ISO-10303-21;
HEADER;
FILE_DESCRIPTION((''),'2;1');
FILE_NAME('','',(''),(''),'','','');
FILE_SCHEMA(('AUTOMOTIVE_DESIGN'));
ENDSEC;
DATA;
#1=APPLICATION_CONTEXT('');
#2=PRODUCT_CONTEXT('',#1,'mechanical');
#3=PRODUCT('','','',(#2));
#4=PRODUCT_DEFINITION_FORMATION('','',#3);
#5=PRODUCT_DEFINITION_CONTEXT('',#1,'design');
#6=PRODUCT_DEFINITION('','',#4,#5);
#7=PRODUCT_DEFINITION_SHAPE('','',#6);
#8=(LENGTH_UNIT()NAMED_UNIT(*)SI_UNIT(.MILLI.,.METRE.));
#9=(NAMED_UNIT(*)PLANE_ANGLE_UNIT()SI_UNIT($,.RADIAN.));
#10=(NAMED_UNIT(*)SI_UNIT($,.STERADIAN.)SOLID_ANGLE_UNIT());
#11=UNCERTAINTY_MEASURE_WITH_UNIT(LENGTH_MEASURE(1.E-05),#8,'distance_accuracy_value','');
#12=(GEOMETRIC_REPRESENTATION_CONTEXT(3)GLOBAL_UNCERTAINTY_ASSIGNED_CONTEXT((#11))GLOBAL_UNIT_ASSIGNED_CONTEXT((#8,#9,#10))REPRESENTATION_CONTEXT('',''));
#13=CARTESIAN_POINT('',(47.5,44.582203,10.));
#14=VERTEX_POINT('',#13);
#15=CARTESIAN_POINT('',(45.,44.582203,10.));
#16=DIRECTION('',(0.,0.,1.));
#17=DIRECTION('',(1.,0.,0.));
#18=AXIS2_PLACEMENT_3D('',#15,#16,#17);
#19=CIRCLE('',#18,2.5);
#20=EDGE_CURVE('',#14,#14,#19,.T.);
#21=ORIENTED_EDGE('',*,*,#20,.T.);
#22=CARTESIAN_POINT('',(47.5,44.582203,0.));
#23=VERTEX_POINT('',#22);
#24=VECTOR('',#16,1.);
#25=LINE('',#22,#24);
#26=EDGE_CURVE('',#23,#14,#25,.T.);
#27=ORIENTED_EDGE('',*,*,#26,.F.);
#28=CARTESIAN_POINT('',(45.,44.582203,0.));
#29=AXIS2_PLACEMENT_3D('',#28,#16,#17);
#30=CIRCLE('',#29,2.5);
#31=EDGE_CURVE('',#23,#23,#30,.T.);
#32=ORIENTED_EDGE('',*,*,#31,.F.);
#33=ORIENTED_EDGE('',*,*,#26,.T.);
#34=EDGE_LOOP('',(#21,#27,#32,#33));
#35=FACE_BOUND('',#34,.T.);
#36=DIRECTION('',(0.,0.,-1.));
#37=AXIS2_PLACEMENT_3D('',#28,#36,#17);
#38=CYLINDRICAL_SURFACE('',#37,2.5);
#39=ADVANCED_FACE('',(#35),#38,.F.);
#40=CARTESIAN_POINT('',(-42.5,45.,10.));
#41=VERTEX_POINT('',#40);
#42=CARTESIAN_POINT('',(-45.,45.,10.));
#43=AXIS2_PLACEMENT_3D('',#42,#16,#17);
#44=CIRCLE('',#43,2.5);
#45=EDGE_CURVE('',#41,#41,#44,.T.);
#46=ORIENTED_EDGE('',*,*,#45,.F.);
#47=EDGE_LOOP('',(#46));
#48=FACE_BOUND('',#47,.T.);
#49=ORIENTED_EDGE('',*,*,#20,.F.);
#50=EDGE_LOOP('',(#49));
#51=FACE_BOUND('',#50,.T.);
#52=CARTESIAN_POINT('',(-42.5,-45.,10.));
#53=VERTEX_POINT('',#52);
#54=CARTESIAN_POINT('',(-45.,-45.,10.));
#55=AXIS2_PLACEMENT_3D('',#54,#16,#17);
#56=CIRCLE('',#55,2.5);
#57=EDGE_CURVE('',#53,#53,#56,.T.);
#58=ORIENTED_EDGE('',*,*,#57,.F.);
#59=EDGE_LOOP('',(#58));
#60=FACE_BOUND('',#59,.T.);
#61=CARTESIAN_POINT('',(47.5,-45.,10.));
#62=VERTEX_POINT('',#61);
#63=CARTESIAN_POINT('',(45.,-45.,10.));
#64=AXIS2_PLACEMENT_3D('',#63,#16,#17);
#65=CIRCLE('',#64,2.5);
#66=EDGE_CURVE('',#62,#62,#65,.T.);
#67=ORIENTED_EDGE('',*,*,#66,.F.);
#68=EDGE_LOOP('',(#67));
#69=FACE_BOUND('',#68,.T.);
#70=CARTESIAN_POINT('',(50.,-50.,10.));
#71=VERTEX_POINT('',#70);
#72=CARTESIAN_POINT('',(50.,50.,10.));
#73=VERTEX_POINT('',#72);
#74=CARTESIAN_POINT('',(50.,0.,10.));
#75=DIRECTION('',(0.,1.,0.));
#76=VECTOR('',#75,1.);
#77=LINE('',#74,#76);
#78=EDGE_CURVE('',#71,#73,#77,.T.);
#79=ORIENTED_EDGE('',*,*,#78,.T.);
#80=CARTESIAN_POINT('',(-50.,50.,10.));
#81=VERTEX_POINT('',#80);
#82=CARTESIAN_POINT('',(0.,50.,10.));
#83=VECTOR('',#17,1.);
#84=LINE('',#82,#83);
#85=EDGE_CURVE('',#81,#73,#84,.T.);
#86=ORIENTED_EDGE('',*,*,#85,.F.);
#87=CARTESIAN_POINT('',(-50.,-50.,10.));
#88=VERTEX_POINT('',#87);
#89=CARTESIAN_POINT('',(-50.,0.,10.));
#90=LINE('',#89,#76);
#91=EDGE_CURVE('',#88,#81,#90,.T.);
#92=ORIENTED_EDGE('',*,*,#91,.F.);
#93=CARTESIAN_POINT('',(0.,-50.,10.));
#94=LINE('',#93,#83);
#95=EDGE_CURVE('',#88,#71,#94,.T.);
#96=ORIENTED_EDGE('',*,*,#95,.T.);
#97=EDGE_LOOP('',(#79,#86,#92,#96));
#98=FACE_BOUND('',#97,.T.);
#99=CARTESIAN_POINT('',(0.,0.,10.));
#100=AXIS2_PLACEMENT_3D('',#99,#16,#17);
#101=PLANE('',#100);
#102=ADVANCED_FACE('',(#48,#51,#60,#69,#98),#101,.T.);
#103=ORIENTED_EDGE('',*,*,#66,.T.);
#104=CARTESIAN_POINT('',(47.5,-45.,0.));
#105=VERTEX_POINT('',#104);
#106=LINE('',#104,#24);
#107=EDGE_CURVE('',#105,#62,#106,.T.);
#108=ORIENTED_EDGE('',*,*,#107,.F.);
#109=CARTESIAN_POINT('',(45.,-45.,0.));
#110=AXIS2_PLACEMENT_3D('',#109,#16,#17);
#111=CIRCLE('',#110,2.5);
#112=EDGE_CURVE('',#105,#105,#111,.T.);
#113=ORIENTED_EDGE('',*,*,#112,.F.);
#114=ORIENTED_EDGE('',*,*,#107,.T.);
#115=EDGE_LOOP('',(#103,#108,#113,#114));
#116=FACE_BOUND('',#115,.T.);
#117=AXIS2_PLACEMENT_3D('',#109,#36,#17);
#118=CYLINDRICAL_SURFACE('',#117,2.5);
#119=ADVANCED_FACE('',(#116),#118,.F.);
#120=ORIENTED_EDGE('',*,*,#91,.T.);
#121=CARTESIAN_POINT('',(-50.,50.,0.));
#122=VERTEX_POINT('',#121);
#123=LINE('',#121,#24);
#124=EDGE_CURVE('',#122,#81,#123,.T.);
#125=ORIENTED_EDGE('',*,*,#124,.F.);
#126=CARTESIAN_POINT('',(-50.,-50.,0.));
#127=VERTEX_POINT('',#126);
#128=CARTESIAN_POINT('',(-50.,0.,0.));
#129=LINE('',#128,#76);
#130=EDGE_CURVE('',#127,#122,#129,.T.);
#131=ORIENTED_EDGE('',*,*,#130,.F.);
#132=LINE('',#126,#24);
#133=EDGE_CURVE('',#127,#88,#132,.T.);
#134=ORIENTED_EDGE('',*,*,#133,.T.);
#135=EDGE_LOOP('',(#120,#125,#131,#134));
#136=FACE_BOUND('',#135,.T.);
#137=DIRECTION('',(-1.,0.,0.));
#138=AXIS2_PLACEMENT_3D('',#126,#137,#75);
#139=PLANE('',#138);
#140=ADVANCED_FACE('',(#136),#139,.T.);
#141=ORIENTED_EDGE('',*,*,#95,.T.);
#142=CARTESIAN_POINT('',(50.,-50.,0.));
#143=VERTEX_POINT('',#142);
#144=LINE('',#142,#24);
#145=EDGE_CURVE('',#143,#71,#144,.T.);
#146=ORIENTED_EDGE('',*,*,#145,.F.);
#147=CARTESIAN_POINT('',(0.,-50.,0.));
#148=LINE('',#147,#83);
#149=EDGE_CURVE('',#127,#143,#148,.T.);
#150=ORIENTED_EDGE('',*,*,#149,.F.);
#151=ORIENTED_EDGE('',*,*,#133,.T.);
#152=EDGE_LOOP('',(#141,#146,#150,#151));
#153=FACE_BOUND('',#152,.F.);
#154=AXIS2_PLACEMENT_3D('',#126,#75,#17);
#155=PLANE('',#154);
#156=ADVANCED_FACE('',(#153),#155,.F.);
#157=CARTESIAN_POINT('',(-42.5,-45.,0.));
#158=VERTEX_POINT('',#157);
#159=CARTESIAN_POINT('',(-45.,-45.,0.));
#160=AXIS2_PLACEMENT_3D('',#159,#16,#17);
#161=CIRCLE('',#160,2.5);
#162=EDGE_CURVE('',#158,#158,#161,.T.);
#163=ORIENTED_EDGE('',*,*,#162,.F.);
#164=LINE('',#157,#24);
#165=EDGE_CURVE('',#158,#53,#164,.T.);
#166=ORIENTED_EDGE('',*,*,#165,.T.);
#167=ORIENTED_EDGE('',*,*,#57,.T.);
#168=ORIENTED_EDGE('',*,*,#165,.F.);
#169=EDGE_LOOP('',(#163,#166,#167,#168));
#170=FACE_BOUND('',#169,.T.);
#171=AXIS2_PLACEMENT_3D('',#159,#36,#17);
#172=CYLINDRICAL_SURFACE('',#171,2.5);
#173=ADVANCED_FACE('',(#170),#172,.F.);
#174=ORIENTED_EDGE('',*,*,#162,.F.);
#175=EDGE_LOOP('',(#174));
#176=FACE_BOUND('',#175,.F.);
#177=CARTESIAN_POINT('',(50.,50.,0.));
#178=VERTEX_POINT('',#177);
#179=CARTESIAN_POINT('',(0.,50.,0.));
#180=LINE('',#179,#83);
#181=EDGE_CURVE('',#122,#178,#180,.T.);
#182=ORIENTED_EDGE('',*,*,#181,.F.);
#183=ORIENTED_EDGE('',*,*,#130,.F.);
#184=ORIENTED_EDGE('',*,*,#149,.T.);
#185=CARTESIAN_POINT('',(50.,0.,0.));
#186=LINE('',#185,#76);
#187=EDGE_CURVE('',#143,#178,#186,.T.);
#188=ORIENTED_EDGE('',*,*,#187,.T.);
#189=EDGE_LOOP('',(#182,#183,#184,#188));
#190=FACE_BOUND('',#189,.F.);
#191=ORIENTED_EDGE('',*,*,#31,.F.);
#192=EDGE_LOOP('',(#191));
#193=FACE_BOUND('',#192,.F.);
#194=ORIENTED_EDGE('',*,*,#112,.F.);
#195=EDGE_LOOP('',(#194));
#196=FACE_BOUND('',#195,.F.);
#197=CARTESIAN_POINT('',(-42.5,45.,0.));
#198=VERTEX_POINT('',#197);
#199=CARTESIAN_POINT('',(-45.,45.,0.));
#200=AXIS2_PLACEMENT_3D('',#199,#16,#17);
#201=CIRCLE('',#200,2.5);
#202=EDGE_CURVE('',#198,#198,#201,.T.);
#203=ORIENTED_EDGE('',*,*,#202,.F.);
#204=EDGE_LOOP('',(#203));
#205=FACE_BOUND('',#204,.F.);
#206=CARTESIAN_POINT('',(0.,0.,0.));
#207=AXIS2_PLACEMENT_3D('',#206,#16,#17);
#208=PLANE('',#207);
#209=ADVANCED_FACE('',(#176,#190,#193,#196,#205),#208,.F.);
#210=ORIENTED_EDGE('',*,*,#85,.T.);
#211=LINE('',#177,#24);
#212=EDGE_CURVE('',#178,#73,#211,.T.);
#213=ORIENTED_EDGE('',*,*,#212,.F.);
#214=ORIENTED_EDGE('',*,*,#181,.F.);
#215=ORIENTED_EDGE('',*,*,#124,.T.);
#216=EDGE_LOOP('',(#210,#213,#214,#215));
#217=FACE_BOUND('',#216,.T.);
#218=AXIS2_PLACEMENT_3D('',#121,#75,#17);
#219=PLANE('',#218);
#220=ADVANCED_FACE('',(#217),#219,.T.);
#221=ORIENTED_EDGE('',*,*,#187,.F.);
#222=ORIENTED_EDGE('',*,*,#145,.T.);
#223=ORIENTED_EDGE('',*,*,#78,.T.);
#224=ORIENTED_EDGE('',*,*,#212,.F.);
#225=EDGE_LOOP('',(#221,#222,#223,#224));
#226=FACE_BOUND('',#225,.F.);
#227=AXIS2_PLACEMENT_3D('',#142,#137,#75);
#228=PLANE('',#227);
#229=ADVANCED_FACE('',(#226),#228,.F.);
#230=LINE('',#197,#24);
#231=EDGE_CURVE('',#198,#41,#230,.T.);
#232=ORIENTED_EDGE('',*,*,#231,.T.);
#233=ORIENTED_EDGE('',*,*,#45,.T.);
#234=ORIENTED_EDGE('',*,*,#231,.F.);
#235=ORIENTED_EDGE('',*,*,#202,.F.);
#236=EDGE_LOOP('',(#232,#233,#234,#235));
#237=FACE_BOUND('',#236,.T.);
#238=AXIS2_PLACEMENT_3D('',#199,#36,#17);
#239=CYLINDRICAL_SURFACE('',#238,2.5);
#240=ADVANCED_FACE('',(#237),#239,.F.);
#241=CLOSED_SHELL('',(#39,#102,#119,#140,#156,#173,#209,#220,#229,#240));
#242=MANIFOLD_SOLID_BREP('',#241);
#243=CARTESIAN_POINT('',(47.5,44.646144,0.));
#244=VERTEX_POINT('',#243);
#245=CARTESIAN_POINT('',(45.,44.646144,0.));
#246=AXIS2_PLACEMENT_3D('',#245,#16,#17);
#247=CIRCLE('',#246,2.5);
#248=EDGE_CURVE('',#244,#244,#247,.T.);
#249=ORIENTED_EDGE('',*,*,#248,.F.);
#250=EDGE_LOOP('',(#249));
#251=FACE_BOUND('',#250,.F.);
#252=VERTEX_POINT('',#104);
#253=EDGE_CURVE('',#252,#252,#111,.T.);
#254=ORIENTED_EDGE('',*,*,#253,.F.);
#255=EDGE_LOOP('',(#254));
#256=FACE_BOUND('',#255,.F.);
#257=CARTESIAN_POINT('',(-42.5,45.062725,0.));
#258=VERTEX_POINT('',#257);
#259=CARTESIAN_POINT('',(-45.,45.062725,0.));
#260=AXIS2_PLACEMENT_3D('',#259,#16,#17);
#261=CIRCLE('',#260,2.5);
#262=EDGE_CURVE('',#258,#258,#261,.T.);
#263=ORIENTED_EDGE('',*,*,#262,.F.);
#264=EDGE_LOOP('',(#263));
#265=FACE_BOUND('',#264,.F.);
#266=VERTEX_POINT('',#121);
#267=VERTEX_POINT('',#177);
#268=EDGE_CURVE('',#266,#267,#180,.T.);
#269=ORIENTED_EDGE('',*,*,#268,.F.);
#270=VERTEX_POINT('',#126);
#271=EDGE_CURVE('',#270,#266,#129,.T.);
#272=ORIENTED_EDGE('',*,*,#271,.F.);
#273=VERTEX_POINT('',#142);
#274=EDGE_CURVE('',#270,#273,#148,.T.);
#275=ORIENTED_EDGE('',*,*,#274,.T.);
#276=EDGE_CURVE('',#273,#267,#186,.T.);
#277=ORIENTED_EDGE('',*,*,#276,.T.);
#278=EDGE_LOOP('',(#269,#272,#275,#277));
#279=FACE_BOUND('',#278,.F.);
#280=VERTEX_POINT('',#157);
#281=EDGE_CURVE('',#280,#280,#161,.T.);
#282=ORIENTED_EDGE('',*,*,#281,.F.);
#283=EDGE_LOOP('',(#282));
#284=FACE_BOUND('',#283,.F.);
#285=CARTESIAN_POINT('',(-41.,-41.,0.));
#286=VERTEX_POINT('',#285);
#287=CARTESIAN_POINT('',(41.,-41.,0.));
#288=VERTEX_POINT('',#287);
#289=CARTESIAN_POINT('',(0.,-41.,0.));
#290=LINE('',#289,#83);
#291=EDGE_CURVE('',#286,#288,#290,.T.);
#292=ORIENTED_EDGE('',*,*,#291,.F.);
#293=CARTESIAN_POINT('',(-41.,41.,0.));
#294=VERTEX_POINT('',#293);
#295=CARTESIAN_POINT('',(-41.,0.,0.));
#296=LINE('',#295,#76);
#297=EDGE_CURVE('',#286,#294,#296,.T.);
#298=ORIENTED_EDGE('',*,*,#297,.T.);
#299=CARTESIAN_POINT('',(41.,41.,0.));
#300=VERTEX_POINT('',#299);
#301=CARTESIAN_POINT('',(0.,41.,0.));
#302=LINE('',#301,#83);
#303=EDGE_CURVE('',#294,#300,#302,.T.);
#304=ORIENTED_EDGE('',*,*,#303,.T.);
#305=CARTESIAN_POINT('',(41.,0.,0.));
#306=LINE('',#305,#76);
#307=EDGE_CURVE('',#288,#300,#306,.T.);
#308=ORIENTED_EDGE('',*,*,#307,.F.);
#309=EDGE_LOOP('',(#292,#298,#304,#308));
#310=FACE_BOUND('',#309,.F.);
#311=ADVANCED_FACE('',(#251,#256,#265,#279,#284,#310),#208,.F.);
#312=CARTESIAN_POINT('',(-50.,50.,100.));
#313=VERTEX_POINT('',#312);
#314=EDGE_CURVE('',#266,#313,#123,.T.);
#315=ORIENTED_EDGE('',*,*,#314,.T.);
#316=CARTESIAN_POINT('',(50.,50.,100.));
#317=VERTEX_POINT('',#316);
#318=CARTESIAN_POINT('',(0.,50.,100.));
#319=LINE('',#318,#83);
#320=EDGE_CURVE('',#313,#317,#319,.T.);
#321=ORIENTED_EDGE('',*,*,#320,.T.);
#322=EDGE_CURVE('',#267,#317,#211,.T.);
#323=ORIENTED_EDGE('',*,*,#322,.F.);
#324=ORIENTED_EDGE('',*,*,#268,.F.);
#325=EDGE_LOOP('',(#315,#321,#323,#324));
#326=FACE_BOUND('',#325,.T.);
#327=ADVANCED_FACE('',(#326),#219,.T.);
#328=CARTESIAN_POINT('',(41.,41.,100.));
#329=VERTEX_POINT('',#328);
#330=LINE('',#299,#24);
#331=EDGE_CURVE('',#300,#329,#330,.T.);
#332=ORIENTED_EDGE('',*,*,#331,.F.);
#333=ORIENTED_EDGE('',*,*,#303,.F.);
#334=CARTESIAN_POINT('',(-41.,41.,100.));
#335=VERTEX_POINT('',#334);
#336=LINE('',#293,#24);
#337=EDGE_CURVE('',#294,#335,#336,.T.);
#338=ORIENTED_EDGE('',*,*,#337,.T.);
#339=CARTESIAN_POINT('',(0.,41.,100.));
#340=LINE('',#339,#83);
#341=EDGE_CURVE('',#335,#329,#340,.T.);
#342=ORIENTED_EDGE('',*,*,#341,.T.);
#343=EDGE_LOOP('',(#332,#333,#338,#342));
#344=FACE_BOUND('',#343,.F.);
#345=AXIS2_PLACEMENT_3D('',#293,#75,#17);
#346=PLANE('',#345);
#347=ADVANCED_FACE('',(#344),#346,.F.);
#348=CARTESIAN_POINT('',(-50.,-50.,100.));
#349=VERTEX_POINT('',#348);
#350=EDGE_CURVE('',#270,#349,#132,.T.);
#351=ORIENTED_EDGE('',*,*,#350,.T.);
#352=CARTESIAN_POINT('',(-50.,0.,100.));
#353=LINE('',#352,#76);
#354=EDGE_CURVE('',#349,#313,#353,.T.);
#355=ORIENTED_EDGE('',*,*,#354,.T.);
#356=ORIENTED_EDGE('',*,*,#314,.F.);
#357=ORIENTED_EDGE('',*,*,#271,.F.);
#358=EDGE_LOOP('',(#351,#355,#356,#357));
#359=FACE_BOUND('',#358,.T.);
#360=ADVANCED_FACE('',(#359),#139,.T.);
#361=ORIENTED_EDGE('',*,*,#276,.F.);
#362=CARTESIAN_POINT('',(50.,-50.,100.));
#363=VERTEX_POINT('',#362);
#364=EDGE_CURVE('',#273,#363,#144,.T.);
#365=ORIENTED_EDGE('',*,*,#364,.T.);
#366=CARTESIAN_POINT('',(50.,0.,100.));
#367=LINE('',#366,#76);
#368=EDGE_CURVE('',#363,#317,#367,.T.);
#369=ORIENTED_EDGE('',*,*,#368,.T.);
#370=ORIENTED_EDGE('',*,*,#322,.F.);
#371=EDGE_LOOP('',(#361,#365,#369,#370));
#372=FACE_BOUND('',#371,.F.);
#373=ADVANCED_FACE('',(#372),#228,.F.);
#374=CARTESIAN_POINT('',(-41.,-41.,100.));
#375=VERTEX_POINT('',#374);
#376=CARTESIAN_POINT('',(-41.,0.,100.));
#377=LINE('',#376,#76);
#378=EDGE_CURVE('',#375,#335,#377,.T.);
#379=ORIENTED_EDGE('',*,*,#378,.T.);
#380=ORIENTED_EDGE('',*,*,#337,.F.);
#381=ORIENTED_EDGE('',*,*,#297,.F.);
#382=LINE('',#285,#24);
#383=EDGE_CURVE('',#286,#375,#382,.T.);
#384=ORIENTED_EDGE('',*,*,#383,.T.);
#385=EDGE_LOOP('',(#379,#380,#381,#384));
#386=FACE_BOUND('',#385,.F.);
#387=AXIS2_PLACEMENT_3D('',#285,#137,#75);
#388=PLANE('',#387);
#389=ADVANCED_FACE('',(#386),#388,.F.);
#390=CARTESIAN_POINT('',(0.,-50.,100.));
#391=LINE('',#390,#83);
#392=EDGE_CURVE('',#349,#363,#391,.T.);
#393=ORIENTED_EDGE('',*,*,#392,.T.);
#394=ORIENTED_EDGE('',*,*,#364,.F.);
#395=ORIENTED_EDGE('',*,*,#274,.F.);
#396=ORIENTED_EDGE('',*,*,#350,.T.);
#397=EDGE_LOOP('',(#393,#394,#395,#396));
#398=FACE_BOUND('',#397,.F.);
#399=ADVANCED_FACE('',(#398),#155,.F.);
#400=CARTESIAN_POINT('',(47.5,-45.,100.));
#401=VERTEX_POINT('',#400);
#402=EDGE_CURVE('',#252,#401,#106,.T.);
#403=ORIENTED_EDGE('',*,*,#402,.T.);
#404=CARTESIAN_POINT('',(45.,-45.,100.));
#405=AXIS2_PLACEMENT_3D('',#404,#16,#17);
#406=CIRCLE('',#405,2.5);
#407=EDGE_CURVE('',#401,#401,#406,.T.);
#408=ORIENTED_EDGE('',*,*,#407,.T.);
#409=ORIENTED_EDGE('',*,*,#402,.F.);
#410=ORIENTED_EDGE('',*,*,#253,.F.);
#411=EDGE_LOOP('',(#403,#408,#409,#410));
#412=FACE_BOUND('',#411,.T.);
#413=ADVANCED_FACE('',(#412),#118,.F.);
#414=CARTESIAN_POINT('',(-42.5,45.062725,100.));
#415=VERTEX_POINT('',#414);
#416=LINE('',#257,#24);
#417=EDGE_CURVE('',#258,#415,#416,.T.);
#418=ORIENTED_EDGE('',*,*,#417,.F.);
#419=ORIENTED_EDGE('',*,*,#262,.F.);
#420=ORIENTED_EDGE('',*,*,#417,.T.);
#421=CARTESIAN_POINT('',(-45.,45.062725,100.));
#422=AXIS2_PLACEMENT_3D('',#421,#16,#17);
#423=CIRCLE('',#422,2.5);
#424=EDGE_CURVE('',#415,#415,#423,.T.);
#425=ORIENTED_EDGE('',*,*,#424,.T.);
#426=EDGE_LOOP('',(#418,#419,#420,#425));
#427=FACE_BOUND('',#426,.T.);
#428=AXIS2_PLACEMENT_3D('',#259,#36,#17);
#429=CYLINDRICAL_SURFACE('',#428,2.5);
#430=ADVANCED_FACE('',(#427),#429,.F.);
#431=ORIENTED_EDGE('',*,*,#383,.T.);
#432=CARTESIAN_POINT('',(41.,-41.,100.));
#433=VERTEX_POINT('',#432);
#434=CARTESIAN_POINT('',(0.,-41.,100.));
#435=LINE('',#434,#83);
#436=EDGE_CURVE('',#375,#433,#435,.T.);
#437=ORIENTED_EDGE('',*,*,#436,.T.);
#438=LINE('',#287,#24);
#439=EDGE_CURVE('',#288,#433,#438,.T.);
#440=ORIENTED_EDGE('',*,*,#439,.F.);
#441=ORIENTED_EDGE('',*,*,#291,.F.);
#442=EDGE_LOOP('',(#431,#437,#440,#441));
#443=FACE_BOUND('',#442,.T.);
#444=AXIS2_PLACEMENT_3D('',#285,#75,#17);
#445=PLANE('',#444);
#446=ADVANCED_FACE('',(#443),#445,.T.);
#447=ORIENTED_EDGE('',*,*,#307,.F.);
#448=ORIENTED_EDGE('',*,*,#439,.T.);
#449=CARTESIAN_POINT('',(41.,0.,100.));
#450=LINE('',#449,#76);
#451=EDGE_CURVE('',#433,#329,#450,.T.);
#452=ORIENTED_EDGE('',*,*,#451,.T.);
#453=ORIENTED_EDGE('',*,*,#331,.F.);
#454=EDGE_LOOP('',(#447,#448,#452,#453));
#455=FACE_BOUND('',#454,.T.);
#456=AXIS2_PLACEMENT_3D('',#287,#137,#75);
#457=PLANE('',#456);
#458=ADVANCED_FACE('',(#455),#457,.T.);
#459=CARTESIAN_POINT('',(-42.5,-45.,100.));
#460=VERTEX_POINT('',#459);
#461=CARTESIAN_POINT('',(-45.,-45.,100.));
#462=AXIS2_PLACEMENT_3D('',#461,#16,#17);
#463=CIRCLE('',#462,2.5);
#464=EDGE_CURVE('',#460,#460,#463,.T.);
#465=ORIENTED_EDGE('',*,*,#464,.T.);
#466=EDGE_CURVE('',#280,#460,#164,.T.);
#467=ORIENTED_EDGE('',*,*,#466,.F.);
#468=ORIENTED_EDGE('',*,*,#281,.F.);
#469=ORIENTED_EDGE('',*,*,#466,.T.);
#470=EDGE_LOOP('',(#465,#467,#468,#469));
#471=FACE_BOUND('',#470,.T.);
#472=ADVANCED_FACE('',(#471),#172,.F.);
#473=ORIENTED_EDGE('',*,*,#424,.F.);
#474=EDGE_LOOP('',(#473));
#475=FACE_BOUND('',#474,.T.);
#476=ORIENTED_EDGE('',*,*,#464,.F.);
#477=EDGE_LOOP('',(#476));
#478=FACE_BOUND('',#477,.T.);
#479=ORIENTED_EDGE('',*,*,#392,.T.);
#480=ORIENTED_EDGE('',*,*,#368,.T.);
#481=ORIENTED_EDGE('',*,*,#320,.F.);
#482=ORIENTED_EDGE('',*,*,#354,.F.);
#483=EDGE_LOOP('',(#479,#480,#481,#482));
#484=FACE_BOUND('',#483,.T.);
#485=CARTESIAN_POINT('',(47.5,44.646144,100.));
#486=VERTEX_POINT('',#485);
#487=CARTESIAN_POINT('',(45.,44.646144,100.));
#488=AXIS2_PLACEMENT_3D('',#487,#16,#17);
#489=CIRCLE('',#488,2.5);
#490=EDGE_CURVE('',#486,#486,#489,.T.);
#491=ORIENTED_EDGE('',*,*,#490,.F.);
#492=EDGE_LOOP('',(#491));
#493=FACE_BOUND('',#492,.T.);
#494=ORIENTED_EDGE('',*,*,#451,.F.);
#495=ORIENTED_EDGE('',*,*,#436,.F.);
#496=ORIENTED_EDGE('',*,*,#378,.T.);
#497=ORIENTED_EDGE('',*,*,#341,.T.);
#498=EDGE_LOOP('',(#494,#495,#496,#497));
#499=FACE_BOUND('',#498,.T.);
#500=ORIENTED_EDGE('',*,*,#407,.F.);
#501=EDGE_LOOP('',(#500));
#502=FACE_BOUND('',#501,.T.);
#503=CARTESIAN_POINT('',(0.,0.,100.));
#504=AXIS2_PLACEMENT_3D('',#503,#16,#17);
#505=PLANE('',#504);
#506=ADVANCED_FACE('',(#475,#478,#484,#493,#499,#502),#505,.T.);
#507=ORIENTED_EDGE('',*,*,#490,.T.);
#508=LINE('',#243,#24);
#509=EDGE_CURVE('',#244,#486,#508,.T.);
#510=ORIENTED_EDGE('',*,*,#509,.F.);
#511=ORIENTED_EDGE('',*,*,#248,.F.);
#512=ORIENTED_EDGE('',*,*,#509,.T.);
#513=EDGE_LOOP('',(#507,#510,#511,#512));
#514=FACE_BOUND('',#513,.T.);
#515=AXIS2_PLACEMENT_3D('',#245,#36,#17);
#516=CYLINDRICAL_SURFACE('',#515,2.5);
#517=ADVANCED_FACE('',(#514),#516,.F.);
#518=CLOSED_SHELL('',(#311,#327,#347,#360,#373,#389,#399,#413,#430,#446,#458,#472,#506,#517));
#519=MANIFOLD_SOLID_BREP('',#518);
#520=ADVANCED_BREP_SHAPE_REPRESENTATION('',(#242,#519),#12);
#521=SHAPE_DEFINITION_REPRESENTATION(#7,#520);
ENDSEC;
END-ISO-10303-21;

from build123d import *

# Parameters (mm, degrees)
F0_W     = 100
F0_H     = 100
F0_R     = 2.5
F1_DEPTH = 10
F2_W     = 100
F2_H     = 100
F2_R     = 2.5
F2_W_2   = 82
F2_H_2   = 82
F3_DEPTH = 100


with BuildPart() as f1:
    # F0 (on Top) → F1 (new body)
    with BuildSketch(Plane.XY):
        Rectangle(F0_W, F0_H)
        with Locations((-45, -45)):
            Circle(F0_R, mode=Mode.SUBTRACT)
        with Locations((45, -45)):
            Circle(F0_R, mode=Mode.SUBTRACT)
        with Locations((-45, 45)):
            Circle(F0_R, mode=Mode.SUBTRACT)
        with Locations((45, 44.582203)):
            Circle(F0_R, mode=Mode.SUBTRACT)
    extrude(amount=F1_DEPTH)


with BuildPart() as f3:
    # F2 (on Top) → F3 (new body)
    with BuildSketch(Plane.XY):
        Rectangle(F2_W, F2_H)
        with Locations((-45, -45)):
            Circle(F2_R, mode=Mode.SUBTRACT)
        with Locations((45, -45)):
            Circle(F2_R, mode=Mode.SUBTRACT)
        with Locations((-45, 45.062725)):
            Circle(F2_R, mode=Mode.SUBTRACT)
        Rectangle(F2_W_2, F2_H_2, mode=Mode.SUBTRACT)
        with Locations((45, 44.646144)):
            Circle(F2_R, mode=Mode.SUBTRACT)
    extrude(amount=F3_DEPTH)


solid = Compound([f1.part, f3.part])
